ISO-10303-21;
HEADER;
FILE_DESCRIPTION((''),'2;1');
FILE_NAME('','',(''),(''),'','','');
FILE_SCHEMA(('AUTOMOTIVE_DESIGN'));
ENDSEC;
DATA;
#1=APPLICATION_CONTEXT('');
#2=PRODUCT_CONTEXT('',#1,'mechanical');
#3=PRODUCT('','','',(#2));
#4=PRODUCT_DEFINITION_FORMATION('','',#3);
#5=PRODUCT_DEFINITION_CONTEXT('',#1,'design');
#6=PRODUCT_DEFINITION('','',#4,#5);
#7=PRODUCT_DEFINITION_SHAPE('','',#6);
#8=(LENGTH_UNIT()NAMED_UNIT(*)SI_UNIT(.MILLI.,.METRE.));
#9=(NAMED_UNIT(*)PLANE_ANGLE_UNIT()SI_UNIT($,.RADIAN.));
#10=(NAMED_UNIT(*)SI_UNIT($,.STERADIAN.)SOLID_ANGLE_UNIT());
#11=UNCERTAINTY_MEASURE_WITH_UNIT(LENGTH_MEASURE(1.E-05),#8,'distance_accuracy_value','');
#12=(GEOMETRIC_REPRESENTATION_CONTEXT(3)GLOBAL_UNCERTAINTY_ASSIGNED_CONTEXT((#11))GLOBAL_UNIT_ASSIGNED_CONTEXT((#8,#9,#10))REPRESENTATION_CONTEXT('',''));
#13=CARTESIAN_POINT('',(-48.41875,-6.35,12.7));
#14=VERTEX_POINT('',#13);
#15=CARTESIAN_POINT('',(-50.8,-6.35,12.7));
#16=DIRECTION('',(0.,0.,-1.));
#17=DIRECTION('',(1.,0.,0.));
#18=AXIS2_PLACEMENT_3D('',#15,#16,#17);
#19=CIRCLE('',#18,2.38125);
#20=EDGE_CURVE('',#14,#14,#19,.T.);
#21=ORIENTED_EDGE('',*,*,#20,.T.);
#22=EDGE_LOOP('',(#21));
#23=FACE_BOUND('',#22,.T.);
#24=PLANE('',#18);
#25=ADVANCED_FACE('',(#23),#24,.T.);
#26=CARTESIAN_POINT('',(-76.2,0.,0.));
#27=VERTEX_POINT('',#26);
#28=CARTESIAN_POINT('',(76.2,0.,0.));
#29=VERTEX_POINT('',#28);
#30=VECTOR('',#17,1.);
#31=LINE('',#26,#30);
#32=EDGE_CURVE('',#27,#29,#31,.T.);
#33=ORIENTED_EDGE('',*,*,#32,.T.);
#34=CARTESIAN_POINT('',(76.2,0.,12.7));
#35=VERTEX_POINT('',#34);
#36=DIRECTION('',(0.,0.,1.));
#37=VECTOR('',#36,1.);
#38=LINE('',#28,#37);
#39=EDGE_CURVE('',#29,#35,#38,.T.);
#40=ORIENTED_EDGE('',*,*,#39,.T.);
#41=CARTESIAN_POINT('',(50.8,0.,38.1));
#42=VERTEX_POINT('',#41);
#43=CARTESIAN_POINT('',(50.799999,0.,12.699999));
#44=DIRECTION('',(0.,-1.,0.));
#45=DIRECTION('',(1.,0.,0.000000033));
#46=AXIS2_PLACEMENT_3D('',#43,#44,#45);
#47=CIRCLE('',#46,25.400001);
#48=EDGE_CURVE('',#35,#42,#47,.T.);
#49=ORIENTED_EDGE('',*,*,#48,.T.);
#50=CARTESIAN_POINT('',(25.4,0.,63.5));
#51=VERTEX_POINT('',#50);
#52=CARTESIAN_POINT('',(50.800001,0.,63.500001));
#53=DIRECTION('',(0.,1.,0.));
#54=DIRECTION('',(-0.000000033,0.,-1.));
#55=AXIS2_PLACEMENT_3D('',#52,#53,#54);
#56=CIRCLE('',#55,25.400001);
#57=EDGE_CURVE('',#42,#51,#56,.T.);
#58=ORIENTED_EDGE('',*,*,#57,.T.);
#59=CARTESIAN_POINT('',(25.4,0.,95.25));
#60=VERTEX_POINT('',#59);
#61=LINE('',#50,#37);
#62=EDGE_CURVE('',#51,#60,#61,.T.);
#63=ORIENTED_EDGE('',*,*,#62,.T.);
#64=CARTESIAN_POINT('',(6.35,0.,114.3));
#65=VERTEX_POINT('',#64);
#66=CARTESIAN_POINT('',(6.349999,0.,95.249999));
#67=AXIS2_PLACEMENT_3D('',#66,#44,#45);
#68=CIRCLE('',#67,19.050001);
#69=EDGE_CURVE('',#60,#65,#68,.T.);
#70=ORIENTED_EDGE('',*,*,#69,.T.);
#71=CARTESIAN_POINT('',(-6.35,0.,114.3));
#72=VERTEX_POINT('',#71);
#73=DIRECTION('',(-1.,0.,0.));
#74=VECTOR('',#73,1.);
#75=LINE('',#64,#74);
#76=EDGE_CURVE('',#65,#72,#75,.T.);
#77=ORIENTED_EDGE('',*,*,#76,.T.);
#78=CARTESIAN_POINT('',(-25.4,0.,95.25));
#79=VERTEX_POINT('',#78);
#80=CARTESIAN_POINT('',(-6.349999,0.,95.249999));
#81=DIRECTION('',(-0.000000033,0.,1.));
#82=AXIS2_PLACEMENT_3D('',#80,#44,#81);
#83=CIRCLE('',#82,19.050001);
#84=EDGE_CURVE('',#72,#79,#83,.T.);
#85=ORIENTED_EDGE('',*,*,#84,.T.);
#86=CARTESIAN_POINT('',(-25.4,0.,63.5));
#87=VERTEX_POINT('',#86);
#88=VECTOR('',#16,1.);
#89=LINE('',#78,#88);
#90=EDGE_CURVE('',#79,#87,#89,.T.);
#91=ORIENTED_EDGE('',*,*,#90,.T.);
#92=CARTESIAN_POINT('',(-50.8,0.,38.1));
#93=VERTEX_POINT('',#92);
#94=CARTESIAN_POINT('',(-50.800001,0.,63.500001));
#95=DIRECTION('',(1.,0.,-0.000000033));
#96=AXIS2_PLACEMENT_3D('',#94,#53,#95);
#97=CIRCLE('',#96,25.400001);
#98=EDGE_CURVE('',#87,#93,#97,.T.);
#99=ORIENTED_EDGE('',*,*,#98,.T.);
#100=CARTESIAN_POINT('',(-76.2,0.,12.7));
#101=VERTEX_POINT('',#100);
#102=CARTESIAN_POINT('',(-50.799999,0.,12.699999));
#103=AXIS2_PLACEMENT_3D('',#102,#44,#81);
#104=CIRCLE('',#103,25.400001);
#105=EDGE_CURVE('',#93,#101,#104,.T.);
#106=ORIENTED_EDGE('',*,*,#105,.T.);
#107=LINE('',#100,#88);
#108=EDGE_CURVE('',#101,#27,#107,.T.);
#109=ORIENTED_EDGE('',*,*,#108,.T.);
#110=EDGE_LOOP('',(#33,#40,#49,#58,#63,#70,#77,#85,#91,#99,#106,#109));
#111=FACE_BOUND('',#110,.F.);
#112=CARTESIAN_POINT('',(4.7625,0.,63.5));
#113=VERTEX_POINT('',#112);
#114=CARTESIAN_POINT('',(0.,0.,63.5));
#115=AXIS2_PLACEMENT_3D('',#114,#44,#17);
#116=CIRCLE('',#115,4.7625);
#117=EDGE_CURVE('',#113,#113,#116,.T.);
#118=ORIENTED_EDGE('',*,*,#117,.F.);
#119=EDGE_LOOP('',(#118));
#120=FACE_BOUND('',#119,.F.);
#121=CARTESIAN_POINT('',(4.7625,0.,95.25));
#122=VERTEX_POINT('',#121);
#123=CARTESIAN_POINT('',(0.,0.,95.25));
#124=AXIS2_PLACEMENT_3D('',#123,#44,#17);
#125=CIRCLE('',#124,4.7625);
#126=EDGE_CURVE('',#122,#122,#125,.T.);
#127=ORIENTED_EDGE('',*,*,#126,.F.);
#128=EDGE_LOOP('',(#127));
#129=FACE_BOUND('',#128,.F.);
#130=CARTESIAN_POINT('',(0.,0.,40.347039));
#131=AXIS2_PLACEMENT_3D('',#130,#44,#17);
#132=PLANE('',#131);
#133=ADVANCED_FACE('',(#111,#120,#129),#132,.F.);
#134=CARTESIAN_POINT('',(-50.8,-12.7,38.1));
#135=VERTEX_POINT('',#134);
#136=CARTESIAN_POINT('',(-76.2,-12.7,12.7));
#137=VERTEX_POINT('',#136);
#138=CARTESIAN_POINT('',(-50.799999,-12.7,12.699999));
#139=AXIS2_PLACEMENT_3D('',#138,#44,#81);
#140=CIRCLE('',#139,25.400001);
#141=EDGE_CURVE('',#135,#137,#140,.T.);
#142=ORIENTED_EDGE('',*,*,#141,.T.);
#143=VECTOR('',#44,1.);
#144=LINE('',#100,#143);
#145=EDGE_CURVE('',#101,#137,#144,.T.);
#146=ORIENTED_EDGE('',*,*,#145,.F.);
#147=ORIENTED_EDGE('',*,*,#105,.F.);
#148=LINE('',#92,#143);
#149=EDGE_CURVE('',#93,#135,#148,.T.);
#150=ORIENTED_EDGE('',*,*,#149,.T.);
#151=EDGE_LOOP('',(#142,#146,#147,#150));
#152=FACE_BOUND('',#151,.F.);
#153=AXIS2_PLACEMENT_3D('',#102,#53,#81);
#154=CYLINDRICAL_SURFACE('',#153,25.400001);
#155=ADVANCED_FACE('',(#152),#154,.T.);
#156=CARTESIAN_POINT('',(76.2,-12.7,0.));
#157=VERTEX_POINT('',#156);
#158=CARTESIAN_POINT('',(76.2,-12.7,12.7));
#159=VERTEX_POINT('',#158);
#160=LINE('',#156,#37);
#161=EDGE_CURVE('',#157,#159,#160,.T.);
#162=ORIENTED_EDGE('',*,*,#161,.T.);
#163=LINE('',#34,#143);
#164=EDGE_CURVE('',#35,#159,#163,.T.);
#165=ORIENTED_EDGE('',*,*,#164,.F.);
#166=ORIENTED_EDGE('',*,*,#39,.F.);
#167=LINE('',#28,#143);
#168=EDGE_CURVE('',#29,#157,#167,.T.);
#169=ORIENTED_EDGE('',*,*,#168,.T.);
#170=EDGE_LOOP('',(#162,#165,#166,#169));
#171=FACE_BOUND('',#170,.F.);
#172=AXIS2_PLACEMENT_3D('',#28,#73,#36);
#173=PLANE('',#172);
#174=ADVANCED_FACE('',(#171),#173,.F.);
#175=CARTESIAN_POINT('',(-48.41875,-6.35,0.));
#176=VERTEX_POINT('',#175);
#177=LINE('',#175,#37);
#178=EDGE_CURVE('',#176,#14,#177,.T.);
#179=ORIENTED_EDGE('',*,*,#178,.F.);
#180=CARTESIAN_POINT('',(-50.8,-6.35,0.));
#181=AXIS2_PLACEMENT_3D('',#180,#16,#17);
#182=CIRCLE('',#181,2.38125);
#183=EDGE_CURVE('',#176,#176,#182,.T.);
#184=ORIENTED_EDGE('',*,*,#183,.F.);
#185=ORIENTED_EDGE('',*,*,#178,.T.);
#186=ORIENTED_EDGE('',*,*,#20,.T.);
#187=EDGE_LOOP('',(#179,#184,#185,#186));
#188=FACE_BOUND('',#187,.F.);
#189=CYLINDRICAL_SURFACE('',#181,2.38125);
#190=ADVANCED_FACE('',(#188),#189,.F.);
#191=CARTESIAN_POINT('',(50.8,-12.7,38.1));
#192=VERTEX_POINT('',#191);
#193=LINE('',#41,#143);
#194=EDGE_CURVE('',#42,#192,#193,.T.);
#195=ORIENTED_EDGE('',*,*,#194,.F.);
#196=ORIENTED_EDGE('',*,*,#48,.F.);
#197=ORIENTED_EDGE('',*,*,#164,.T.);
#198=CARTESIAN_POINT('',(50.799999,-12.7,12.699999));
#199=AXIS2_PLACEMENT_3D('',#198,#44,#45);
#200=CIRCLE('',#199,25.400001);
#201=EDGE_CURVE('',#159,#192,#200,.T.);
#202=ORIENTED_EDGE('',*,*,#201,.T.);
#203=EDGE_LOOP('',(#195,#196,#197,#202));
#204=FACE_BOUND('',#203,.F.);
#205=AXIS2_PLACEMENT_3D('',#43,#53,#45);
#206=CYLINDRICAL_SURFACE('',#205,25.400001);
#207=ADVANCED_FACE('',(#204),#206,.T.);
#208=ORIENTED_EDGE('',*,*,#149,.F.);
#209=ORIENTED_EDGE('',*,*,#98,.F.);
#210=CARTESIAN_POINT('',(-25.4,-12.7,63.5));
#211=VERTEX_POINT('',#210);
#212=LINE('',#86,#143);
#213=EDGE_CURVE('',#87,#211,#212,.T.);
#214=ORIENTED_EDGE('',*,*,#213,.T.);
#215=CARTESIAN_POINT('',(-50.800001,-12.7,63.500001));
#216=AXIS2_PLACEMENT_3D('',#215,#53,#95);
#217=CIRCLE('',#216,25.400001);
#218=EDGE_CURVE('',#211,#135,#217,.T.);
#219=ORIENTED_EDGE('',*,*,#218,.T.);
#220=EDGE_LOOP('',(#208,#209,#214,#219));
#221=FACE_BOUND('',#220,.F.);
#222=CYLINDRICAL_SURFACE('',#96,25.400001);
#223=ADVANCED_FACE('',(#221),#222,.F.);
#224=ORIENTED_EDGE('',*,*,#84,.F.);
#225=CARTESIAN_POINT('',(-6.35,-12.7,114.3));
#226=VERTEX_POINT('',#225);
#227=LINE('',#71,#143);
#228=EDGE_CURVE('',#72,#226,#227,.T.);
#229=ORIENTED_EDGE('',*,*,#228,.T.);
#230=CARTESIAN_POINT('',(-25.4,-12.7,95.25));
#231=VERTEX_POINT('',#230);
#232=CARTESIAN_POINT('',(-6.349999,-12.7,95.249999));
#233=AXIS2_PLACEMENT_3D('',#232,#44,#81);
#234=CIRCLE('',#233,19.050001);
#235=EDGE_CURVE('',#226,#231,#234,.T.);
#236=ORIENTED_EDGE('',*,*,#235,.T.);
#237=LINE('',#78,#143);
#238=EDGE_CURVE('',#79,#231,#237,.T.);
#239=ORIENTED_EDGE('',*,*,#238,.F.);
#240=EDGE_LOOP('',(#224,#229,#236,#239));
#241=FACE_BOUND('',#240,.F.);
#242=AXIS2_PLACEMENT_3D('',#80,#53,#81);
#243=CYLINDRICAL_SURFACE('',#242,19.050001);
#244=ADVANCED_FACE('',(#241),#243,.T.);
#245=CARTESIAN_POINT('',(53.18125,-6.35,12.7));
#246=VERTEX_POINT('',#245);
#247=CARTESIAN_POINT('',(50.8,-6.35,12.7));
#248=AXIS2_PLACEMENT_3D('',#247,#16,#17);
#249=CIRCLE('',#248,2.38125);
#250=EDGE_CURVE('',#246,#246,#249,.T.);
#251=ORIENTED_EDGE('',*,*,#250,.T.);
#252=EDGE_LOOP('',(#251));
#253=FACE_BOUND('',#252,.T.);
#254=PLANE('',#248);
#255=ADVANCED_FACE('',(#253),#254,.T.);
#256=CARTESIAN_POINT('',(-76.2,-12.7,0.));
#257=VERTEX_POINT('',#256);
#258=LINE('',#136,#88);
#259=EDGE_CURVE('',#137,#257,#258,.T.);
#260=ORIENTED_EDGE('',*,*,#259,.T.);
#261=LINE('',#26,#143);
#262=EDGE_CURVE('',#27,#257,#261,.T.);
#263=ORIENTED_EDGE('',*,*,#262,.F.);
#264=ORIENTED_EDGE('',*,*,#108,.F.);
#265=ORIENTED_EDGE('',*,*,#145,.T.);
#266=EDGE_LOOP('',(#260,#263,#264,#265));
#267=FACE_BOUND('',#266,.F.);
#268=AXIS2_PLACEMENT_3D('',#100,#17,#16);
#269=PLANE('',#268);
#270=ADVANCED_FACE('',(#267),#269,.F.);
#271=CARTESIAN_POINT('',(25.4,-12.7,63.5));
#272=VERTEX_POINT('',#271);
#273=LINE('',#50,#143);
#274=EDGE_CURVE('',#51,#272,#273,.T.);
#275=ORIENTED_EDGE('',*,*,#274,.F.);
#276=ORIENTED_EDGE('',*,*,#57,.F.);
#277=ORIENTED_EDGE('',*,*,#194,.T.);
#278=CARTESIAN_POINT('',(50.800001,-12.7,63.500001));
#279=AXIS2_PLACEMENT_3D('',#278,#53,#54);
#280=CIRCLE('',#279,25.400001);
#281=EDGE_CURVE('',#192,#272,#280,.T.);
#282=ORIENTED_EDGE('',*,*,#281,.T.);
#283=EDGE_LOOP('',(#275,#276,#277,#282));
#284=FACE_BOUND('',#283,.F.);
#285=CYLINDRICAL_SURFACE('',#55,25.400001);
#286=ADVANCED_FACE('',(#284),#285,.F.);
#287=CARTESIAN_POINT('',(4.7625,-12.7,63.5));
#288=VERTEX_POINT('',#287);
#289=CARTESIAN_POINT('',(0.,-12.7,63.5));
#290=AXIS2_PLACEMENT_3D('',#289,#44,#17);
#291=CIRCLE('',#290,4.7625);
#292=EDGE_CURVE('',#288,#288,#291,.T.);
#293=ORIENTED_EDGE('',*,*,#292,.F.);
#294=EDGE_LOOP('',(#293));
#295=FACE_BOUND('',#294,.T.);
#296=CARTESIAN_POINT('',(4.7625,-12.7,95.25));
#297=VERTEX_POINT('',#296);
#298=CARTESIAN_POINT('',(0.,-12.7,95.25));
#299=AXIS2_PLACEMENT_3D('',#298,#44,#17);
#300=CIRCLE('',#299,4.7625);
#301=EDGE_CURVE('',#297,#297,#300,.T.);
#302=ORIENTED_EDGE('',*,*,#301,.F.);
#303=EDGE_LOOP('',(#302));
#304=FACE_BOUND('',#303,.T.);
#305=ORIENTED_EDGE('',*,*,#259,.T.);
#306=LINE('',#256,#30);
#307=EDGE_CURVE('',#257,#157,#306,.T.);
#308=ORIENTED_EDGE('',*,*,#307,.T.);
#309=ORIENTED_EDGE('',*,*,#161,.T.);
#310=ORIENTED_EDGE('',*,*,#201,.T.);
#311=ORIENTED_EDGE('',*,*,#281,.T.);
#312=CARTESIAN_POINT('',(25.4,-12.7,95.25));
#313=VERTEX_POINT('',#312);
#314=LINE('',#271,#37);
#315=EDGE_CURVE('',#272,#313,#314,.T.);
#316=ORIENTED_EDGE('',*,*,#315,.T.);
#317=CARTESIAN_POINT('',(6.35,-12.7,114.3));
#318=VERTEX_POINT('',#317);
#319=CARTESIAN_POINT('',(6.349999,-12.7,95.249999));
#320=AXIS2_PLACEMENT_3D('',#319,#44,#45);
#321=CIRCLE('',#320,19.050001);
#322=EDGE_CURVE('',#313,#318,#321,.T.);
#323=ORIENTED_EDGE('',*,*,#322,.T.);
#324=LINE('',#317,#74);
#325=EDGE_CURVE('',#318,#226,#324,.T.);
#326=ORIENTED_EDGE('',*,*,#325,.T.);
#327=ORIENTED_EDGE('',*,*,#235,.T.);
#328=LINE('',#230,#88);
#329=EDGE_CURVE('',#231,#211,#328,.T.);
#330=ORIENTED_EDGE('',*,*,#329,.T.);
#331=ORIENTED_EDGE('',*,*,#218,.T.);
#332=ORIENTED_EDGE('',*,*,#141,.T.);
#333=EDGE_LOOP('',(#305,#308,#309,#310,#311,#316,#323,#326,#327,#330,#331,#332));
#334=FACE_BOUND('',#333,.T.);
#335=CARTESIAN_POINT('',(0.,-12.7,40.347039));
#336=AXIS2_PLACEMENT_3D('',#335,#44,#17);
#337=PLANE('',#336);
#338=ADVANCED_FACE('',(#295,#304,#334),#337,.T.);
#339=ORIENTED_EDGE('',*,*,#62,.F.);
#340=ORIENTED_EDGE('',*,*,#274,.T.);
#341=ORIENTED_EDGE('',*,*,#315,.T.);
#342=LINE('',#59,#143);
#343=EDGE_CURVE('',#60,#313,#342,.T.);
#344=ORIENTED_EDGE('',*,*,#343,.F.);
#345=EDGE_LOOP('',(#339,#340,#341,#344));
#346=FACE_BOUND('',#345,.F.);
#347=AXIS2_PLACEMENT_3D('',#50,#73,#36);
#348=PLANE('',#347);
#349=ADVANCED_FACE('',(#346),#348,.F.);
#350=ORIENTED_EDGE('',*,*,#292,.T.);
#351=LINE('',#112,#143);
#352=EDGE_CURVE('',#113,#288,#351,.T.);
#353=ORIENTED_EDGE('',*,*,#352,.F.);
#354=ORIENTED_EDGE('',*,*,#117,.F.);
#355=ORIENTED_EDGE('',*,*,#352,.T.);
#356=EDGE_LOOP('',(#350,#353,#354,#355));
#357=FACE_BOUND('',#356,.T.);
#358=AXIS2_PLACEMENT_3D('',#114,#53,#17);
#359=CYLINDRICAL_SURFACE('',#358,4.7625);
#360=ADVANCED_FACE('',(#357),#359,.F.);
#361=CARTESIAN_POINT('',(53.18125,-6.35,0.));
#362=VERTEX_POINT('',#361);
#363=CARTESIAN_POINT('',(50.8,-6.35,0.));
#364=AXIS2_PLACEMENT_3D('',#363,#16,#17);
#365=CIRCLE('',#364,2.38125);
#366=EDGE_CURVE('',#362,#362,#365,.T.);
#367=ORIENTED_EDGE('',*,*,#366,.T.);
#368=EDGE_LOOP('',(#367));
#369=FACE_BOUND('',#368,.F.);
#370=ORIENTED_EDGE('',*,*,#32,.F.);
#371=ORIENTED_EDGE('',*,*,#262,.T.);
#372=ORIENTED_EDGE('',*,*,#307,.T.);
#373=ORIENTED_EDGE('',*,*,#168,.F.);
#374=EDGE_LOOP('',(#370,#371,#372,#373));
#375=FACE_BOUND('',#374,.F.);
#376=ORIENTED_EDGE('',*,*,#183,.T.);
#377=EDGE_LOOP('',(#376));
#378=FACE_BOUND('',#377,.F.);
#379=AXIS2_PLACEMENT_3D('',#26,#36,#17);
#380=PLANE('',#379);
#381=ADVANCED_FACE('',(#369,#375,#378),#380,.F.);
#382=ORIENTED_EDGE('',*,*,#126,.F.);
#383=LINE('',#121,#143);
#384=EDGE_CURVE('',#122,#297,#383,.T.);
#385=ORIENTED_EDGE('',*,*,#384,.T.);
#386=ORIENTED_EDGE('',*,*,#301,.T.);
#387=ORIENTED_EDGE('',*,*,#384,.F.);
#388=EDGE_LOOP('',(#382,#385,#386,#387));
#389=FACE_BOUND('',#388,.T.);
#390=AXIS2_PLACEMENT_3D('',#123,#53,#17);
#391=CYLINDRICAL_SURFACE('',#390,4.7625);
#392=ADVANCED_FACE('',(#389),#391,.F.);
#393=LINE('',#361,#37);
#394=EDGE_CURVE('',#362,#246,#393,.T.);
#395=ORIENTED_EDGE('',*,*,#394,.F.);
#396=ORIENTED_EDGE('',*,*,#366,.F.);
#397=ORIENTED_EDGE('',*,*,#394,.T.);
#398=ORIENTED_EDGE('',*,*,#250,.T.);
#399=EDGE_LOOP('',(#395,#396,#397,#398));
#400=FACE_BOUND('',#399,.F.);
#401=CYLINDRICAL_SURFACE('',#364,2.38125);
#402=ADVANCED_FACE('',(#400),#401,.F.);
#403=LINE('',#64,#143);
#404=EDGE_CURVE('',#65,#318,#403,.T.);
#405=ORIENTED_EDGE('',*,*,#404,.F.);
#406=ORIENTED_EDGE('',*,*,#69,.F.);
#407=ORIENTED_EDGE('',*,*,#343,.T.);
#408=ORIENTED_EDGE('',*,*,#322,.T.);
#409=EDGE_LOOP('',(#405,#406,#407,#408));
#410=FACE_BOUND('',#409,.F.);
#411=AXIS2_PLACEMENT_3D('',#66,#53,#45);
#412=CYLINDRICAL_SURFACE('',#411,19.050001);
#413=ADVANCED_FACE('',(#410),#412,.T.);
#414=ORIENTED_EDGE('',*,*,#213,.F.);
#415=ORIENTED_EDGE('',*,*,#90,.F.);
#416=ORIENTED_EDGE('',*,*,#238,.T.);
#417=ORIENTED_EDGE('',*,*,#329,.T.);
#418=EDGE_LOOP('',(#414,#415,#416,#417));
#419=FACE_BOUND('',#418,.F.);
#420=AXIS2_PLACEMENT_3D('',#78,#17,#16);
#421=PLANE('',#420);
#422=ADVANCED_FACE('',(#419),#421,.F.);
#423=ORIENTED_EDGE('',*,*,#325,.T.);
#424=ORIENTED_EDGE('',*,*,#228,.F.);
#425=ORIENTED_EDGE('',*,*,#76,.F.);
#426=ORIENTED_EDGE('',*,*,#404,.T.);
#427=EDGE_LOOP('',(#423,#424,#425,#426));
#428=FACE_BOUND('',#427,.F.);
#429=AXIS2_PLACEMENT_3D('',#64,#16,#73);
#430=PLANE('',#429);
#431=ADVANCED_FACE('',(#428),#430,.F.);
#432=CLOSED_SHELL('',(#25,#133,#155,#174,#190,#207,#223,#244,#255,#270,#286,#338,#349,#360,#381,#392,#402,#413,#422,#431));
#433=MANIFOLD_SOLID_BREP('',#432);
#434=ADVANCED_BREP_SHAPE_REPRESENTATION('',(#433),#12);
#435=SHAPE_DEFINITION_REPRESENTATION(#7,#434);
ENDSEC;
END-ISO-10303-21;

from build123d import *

# Parameters (mm, degrees)
F0_R     = 4.7625
F1_DEPTH = 12.7
F2_R     = 2.38125
F3_DEPTH = 12.7


with BuildPart() as f1:
    # F0 (on Front) → F1 (new body)
    with BuildSketch(Plane.XZ):
        with BuildLine():
            Line((-76.2, 12.7), (-76.2, 0))
            Line((-76.2, 0), (76.2, 0))
            Line((76.2, 0), (76.2, 12.7))
            ThreePointArc((76.2, 12.7), (68.760512, 30.660512), (50.8, 38.1))
            ThreePointArc((50.8, 38.1), (32.839488, 45.539488), (25.4, 63.5))
            Line((25.4, 63.5), (25.4, 95.25))
            ThreePointArc((25.4, 95.25), (19.820384, 108.720384), (6.35, 114.3))
            Line((6.35, 114.3), (-6.35, 114.3))
            ThreePointArc((-6.35, 114.3), (-19.820384, 108.720384), (-25.4, 95.25))
            Line((-25.4, 95.25), (-25.4, 63.5))
            ThreePointArc((-25.4, 63.5), (-32.839488, 45.539488), (-50.8, 38.1))
            ThreePointArc((-50.8, 38.1), (-68.760512, 30.660512), (-76.2, 12.7))
        make_face()
        with Locations((0, 63.5)):
            Circle(F0_R, mode=Mode.SUBTRACT)
        with Locations((0, 95.25)):
            Circle(F0_R, mode=Mode.SUBTRACT)
    extrude(amount=F1_DEPTH)

    # F2 (on face) → F3 (cut)
    with BuildSketch(Plane(origin=(0, 0, 0), x_dir=(1, 0, 0), z_dir=(0, 0, -1))):
        with Locations((-50.8, 6.35)):
            Circle(F2_R)
        with Locations((50.8, 6.35)):
            Circle(F2_R)
    extrude(amount=-F3_DEPTH, mode=Mode.SUBTRACT)


solid = f1.part
